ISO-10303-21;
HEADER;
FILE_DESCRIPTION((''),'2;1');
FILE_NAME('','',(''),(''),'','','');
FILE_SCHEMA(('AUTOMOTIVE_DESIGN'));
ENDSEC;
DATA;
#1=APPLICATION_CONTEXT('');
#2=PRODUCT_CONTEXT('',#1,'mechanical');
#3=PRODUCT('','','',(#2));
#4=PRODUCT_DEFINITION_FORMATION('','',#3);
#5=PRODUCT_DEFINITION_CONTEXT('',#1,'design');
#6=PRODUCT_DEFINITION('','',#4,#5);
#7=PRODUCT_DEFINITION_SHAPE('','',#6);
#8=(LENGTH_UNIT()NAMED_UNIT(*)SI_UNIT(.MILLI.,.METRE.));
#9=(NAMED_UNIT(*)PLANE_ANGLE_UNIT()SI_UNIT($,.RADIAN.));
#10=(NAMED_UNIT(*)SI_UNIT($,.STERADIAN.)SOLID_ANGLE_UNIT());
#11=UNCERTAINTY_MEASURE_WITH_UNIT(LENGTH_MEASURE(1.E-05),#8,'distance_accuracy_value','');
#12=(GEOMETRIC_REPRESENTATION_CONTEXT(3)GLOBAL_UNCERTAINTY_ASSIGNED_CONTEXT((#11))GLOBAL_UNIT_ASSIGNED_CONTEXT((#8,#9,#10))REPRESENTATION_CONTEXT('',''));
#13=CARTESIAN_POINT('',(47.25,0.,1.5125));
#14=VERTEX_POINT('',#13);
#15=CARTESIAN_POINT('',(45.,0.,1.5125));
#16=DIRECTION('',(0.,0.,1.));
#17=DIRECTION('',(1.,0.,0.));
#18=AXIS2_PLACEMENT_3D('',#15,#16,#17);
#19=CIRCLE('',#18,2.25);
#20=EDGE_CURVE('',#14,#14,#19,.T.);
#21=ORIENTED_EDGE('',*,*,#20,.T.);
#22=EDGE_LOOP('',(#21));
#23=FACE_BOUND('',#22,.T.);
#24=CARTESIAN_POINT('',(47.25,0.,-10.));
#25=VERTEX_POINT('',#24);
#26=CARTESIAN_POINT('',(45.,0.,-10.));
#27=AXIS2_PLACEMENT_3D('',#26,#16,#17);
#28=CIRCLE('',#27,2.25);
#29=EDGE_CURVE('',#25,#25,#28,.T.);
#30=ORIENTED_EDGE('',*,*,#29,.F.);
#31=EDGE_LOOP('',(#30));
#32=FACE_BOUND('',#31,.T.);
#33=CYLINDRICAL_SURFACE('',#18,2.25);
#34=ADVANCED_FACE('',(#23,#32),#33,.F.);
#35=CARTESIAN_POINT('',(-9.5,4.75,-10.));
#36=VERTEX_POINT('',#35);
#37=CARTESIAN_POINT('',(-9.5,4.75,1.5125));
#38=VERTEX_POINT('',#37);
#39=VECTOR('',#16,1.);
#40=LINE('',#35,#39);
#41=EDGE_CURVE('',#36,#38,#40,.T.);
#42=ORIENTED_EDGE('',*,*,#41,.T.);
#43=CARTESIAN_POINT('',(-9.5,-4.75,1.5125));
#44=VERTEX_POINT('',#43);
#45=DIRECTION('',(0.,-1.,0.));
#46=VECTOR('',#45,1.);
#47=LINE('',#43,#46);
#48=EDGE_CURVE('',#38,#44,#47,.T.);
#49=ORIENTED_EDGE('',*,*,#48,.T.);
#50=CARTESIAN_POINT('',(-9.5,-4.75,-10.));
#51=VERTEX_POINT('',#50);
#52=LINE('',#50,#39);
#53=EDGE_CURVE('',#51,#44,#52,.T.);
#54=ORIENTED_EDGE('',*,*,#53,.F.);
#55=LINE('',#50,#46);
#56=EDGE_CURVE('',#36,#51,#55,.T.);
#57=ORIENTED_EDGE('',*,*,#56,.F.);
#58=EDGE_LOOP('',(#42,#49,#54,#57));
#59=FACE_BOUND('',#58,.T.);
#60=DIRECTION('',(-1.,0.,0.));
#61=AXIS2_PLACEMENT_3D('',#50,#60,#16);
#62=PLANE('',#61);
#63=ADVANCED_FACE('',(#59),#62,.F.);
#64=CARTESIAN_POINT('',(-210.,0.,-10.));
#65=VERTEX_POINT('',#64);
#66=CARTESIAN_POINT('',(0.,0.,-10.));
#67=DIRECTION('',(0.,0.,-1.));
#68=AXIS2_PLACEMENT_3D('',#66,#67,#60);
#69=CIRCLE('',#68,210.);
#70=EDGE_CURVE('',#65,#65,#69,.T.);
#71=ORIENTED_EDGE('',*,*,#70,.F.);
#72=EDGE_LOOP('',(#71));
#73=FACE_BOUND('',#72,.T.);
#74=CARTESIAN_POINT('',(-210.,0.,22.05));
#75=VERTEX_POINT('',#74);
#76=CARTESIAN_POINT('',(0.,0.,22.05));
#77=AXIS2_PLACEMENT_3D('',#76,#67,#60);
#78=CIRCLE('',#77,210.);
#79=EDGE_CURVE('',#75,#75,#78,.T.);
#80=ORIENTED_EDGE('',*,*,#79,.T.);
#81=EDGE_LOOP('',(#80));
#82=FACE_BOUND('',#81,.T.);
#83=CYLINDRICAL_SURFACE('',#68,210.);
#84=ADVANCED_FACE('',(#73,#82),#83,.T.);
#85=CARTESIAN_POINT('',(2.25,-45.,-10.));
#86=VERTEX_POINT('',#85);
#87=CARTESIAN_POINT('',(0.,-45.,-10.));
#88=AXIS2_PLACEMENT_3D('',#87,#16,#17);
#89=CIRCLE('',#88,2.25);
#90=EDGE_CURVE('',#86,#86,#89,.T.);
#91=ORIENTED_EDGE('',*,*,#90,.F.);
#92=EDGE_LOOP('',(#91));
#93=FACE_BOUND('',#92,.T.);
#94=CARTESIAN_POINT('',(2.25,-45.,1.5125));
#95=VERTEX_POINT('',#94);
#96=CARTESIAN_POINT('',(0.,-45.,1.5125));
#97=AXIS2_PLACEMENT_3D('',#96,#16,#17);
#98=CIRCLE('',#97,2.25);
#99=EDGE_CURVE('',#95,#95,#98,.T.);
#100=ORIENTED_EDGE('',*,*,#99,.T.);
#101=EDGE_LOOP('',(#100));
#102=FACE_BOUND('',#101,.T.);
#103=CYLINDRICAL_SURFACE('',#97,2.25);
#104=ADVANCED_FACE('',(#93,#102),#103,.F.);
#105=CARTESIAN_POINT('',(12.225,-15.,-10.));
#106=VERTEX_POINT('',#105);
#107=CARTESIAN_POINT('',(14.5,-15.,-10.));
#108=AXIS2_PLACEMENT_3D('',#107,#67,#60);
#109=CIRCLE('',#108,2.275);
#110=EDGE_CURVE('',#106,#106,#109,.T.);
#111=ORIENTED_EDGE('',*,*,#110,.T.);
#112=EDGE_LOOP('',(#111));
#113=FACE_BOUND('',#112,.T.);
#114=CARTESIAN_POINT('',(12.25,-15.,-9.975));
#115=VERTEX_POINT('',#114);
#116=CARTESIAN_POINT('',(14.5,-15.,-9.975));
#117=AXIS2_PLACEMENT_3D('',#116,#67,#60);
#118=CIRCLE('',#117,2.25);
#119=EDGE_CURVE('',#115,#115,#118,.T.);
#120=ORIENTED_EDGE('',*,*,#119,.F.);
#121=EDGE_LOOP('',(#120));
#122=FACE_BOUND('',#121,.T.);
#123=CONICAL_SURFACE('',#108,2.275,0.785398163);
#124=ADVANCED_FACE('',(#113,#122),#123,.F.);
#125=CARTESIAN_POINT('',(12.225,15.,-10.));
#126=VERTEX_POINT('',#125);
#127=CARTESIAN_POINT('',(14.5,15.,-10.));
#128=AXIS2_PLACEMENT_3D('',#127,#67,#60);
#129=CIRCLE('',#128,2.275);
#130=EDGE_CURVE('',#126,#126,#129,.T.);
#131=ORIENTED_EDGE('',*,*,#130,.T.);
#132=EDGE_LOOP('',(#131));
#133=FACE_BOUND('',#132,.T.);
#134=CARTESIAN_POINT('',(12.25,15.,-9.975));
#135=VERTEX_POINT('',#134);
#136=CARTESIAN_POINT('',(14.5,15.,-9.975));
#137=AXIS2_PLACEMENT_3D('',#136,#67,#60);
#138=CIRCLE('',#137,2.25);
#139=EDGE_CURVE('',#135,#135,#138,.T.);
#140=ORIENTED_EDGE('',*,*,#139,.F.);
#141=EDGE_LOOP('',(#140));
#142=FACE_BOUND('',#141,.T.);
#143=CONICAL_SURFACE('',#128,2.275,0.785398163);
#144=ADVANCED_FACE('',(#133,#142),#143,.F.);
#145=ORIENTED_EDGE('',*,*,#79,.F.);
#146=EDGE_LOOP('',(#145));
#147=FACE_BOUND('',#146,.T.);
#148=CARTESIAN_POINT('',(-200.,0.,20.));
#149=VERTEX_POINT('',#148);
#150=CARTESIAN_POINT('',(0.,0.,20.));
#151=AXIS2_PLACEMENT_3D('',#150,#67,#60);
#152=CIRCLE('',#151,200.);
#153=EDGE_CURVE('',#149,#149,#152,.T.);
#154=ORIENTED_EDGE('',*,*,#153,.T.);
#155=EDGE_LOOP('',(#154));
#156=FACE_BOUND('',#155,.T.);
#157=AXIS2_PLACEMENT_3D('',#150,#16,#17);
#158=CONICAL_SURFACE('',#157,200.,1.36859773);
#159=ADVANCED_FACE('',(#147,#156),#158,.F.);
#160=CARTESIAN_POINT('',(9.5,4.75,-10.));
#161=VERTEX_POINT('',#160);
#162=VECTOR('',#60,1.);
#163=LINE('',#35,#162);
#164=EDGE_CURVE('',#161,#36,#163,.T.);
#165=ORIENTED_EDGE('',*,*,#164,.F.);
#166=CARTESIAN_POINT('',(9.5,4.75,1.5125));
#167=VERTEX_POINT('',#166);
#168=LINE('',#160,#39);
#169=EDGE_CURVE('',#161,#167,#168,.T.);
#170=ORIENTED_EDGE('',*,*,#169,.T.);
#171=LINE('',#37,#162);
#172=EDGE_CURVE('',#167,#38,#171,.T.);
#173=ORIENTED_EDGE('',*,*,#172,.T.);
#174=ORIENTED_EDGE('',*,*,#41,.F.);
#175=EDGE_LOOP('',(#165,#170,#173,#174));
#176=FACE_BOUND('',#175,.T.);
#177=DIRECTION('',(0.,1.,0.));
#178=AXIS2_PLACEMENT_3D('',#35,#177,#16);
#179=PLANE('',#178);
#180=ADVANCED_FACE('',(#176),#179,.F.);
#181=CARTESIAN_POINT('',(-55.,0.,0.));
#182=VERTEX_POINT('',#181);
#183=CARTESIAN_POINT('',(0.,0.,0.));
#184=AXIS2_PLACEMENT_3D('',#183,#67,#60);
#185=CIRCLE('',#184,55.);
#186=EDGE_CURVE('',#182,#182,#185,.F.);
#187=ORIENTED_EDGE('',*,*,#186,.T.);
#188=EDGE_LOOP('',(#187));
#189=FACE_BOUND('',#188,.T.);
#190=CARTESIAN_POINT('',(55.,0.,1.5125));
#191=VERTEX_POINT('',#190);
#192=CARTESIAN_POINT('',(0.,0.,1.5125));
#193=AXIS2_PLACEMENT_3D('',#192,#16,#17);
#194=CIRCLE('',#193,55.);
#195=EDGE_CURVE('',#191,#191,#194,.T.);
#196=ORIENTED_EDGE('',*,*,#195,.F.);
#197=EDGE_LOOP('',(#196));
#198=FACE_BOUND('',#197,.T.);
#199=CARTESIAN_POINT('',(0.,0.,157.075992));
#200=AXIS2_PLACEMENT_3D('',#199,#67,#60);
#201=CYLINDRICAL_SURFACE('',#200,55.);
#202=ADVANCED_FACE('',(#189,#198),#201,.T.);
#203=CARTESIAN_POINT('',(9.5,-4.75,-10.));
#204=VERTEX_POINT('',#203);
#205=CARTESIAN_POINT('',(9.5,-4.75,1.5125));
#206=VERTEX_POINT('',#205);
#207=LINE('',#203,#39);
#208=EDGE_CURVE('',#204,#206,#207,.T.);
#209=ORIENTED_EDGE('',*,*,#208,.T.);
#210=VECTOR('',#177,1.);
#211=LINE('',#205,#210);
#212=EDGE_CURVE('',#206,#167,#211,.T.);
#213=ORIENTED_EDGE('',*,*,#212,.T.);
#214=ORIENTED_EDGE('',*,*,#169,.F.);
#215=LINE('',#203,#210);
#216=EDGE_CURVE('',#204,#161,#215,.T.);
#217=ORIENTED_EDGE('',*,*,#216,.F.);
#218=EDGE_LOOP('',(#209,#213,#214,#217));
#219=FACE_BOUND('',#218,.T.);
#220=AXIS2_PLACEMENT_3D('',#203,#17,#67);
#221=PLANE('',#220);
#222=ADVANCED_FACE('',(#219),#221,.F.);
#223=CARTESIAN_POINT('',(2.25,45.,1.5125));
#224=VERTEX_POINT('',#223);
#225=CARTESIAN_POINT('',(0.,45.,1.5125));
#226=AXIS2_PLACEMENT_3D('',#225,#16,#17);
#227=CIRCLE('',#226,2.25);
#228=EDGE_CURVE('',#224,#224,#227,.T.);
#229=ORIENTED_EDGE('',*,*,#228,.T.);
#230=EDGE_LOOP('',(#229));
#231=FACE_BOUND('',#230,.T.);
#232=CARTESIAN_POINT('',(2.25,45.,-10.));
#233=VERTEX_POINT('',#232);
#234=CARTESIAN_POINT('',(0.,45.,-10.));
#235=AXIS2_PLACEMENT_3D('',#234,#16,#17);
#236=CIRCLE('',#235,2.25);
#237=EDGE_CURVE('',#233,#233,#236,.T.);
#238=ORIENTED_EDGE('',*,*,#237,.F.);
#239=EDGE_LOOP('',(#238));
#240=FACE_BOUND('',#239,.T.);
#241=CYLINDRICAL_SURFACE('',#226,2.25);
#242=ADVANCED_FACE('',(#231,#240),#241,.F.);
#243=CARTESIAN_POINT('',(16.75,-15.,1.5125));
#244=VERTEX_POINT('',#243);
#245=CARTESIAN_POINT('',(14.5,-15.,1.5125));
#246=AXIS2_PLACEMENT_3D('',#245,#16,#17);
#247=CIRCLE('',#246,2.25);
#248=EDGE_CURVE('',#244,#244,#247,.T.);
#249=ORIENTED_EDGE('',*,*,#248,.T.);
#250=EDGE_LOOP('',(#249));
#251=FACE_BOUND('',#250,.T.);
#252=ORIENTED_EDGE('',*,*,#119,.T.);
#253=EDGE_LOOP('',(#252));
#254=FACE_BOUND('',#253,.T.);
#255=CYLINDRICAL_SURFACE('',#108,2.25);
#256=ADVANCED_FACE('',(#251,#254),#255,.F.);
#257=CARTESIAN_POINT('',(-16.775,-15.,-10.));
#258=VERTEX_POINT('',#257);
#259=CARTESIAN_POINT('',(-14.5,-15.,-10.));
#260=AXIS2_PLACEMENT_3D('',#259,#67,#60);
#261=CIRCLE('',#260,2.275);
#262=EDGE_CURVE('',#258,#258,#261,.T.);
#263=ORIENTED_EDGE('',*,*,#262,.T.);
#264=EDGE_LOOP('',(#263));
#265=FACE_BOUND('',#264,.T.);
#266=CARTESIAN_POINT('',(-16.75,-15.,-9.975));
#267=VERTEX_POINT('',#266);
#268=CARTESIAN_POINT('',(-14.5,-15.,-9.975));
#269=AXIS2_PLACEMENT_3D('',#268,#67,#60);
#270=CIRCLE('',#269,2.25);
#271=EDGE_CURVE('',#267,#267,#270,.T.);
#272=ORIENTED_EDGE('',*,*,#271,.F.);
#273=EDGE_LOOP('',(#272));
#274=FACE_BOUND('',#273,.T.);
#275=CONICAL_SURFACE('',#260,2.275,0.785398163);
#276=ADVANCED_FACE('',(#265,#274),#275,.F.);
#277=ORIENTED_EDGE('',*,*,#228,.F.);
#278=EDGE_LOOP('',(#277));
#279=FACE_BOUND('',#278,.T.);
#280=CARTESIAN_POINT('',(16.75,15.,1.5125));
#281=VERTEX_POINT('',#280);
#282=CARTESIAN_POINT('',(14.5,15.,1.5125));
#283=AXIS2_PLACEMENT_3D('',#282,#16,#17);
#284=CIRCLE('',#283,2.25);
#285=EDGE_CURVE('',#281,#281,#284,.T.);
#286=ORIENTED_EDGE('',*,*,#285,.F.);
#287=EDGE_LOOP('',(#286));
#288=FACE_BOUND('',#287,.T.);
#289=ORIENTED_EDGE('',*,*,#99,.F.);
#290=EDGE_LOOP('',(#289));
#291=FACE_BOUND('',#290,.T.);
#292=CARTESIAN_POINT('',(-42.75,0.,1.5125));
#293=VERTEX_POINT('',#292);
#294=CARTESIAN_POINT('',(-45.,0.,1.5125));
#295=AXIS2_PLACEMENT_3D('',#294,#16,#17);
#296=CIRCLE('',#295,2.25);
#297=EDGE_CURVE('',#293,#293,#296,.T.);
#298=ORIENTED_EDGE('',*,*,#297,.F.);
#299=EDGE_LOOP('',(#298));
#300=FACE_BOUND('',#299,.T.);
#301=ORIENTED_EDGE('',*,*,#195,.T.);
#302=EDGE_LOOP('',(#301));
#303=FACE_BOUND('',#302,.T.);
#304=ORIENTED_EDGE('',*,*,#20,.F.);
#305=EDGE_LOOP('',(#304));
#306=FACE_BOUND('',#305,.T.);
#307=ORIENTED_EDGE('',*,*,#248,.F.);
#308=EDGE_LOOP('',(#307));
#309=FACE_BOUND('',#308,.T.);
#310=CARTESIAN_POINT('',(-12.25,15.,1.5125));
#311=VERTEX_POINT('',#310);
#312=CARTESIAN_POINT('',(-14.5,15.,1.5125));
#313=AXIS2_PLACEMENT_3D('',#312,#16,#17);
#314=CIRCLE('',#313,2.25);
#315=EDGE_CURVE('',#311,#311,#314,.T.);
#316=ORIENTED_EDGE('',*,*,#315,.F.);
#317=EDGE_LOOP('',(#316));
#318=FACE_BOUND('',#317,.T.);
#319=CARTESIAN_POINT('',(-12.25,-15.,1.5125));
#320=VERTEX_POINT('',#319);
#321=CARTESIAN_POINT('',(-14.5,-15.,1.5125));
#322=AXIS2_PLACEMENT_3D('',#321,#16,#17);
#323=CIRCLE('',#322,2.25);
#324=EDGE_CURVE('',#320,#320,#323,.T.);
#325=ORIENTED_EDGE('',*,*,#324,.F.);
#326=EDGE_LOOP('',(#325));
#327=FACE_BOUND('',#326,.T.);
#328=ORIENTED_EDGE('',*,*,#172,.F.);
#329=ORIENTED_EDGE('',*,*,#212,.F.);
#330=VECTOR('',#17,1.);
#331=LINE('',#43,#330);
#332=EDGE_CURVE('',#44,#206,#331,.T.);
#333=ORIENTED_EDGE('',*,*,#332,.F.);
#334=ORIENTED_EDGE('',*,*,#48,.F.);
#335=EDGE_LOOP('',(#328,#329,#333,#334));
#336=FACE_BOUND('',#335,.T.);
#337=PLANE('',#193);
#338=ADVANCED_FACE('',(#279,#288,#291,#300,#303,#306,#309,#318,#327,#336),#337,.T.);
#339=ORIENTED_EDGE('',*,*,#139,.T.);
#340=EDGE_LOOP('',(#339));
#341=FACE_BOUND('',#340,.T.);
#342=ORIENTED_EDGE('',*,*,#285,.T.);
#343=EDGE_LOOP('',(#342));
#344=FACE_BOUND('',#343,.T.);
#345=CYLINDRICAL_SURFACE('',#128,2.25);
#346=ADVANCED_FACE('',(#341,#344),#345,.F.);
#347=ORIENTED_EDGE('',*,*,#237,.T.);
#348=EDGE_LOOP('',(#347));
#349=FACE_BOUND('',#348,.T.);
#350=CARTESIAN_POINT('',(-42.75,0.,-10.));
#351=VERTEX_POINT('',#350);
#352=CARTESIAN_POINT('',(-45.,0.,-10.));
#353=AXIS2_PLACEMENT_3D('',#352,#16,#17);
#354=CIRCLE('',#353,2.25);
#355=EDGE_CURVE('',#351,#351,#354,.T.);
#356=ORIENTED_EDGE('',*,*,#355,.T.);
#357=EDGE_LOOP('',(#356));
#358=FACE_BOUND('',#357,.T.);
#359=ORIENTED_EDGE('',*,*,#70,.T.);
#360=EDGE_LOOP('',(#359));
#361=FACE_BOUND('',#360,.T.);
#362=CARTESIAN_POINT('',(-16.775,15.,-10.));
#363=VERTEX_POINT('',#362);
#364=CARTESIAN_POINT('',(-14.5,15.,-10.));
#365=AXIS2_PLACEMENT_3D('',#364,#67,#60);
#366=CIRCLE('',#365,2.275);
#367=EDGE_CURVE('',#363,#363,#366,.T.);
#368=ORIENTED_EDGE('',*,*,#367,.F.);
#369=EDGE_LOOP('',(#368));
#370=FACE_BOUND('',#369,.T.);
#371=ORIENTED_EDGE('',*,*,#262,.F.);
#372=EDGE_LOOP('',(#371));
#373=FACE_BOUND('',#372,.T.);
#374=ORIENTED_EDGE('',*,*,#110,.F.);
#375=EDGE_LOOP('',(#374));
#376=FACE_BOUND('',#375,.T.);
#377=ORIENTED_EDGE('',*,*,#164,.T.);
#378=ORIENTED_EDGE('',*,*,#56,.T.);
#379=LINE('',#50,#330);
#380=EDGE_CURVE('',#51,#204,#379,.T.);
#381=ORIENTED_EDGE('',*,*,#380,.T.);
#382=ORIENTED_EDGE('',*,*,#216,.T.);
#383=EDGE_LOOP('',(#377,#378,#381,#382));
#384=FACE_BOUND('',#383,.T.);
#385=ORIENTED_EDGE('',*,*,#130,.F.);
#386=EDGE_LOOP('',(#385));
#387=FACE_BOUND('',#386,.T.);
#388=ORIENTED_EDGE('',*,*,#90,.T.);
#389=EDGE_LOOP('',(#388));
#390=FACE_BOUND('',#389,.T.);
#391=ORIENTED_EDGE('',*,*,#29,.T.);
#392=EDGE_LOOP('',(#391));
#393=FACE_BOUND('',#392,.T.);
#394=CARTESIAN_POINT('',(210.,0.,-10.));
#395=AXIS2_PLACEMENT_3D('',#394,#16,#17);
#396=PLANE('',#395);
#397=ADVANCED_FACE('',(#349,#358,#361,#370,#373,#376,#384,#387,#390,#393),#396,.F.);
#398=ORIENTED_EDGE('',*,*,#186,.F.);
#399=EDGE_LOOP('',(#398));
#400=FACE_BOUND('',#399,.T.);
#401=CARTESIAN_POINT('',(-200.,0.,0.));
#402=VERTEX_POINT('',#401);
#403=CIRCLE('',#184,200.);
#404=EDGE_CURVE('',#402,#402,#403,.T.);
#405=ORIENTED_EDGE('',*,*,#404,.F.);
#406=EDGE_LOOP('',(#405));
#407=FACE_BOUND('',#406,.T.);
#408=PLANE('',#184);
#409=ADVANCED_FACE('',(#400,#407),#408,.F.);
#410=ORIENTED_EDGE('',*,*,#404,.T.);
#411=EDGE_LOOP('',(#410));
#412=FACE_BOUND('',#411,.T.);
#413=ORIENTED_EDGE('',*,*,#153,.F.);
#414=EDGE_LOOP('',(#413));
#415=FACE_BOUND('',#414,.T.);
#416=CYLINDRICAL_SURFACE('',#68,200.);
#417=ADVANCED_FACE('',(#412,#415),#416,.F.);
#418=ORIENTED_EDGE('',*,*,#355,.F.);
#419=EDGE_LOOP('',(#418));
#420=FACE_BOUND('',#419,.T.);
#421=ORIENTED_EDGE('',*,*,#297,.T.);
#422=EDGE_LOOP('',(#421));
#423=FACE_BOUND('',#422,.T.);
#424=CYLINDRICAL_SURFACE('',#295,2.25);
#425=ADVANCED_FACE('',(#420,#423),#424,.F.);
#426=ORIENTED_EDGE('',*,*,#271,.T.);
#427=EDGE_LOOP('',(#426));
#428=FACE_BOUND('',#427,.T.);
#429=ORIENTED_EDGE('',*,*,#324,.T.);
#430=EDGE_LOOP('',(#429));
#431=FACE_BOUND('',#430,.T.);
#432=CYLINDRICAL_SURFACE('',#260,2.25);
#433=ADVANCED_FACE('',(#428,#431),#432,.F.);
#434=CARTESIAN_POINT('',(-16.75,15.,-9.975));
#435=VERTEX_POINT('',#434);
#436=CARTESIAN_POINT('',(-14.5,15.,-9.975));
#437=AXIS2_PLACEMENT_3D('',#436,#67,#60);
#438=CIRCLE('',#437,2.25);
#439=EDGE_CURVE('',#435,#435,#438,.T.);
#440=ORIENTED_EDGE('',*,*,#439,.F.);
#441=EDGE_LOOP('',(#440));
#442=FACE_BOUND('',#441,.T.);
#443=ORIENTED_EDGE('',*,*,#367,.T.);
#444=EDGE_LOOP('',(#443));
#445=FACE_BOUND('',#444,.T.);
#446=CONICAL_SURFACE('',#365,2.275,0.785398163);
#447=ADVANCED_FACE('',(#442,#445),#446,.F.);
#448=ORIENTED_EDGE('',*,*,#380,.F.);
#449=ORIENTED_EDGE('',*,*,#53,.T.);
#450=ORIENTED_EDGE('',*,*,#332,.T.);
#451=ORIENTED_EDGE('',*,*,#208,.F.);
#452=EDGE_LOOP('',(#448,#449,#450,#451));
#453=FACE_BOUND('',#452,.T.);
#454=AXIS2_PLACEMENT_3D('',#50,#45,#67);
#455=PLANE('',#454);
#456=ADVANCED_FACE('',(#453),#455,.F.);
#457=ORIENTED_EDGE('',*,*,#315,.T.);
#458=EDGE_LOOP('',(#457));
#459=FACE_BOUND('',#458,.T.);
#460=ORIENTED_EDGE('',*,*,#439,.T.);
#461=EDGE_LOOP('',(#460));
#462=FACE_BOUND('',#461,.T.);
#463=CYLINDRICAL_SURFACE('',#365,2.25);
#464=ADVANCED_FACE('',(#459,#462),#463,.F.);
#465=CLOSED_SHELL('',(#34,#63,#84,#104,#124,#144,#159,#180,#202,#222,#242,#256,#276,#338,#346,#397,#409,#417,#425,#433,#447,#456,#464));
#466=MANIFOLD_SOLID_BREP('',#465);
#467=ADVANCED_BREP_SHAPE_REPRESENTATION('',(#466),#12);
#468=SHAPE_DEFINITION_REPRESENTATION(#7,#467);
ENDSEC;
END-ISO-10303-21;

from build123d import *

# Parameters (mm, degrees)
CUT_EXTRUDE_1_DEPTH         = 298.8022876
CUT_EXTRUDE_1_DEPTH_BACK    = 298.8022876
SKETCH_2_W                  = 19
SKETCH_2_H                  = 9.5
SKETCH_3_R                  = 55
EXTRUDE_1_DEPTH             = 1.5125
SKETCH_4_W                  = 19
SKETCH_4_H                  = 9.5
CUT_EXTRUDE_2_DEPTH         = 2
HOLE_WIZARD_M41_D           = 4.5
PATTERN_CIRCULAR_1_COUNT    = 4
HOLE_WIZARD_M42_D           = 4.5
HOLE_WIZARD_M42_CSINK_D     = 4.55
HOLE_WIZARD_M42_CSINK_ANGLE = 90


with BuildPart() as part:
    # Эскиз1 → Повернуть1 (revolve)
    with BuildSketch(Plane(origin=(0, 0, 0), x_dir=(1, 0, 0), z_dir=(0, 1, 0)), mode=Mode.PRIVATE) as revolve_1_sk:
        Polygon((0, 0), (200, 0), (200, -20), (210, -22.05), (210, 10), (0, 10), align=None)
    revolve(revolve_1_sk.sketch.rotate(Axis((0, 0, -10), (0, 0, 1)), 180), axis=Axis((0, 0, -10), (0, 0, 1)))

    # Эскиз2 → Вырез-Вытянуть1 (cut, two sides: drawn at the far end of the back side and taken through both)
    with BuildSketch(Plane.XY.offset(-CUT_EXTRUDE_1_DEPTH_BACK)):
        Rectangle(SKETCH_2_W, SKETCH_2_H)
    extrude(amount=CUT_EXTRUDE_1_DEPTH + CUT_EXTRUDE_1_DEPTH_BACK, mode=Mode.SUBTRACT)

    # Эскиз3 → Бобышка-Вытянуть1 (add)
    with BuildSketch(Plane.XY):
        with Locations(Location((0, 0, 0), (0, 0, 180))):
            Circle(SKETCH_3_R)
    extrude(amount=EXTRUDE_1_DEPTH)

    # Эскиз4 → Вырез-Вытянуть2 (cut)
    with BuildSketch(Plane.XY.offset(1.5125)):
        Rectangle(SKETCH_4_W, SKETCH_4_H)
    extrude(amount=-CUT_EXTRUDE_2_DEPTH, mode=Mode.SUBTRACT)

    # Отверстие с зазором M41 (through all)
    with Locations(Plane(origin=(0, 45, 1.5125), x_dir=(1, 0, 0), z_dir=(0, 0, 1))):
        with Locations((0, 0)):
            hole_wizard_m41 = Hole(HOLE_WIZARD_M41_D / 2)

    # Круговой массив1: Отверстие с зазором M41 ×4 about axis
    pattern_circular_1_axis = Axis((0, 0, 0), (0, 0, 1))
    for i in range(1, PATTERN_CIRCULAR_1_COUNT):
        add(hole_wizard_m41.rotate(pattern_circular_1_axis, i * 360 / PATTERN_CIRCULAR_1_COUNT), mode=Mode.SUBTRACT)

    # Отверстие с зазором M42 (through all)
    with Locations(Plane(origin=(-14.5, 15, -10), x_dir=(-1, 0, 0), z_dir=(0, 0, -1))):
        with Locations((0, 0), (-29, 0), (-29, -30), (0, -30)):
            CounterSinkHole(HOLE_WIZARD_M42_D / 2, HOLE_WIZARD_M42_CSINK_D / 2, counter_sink_angle=HOLE_WIZARD_M42_CSINK_ANGLE)


solid = part.part
